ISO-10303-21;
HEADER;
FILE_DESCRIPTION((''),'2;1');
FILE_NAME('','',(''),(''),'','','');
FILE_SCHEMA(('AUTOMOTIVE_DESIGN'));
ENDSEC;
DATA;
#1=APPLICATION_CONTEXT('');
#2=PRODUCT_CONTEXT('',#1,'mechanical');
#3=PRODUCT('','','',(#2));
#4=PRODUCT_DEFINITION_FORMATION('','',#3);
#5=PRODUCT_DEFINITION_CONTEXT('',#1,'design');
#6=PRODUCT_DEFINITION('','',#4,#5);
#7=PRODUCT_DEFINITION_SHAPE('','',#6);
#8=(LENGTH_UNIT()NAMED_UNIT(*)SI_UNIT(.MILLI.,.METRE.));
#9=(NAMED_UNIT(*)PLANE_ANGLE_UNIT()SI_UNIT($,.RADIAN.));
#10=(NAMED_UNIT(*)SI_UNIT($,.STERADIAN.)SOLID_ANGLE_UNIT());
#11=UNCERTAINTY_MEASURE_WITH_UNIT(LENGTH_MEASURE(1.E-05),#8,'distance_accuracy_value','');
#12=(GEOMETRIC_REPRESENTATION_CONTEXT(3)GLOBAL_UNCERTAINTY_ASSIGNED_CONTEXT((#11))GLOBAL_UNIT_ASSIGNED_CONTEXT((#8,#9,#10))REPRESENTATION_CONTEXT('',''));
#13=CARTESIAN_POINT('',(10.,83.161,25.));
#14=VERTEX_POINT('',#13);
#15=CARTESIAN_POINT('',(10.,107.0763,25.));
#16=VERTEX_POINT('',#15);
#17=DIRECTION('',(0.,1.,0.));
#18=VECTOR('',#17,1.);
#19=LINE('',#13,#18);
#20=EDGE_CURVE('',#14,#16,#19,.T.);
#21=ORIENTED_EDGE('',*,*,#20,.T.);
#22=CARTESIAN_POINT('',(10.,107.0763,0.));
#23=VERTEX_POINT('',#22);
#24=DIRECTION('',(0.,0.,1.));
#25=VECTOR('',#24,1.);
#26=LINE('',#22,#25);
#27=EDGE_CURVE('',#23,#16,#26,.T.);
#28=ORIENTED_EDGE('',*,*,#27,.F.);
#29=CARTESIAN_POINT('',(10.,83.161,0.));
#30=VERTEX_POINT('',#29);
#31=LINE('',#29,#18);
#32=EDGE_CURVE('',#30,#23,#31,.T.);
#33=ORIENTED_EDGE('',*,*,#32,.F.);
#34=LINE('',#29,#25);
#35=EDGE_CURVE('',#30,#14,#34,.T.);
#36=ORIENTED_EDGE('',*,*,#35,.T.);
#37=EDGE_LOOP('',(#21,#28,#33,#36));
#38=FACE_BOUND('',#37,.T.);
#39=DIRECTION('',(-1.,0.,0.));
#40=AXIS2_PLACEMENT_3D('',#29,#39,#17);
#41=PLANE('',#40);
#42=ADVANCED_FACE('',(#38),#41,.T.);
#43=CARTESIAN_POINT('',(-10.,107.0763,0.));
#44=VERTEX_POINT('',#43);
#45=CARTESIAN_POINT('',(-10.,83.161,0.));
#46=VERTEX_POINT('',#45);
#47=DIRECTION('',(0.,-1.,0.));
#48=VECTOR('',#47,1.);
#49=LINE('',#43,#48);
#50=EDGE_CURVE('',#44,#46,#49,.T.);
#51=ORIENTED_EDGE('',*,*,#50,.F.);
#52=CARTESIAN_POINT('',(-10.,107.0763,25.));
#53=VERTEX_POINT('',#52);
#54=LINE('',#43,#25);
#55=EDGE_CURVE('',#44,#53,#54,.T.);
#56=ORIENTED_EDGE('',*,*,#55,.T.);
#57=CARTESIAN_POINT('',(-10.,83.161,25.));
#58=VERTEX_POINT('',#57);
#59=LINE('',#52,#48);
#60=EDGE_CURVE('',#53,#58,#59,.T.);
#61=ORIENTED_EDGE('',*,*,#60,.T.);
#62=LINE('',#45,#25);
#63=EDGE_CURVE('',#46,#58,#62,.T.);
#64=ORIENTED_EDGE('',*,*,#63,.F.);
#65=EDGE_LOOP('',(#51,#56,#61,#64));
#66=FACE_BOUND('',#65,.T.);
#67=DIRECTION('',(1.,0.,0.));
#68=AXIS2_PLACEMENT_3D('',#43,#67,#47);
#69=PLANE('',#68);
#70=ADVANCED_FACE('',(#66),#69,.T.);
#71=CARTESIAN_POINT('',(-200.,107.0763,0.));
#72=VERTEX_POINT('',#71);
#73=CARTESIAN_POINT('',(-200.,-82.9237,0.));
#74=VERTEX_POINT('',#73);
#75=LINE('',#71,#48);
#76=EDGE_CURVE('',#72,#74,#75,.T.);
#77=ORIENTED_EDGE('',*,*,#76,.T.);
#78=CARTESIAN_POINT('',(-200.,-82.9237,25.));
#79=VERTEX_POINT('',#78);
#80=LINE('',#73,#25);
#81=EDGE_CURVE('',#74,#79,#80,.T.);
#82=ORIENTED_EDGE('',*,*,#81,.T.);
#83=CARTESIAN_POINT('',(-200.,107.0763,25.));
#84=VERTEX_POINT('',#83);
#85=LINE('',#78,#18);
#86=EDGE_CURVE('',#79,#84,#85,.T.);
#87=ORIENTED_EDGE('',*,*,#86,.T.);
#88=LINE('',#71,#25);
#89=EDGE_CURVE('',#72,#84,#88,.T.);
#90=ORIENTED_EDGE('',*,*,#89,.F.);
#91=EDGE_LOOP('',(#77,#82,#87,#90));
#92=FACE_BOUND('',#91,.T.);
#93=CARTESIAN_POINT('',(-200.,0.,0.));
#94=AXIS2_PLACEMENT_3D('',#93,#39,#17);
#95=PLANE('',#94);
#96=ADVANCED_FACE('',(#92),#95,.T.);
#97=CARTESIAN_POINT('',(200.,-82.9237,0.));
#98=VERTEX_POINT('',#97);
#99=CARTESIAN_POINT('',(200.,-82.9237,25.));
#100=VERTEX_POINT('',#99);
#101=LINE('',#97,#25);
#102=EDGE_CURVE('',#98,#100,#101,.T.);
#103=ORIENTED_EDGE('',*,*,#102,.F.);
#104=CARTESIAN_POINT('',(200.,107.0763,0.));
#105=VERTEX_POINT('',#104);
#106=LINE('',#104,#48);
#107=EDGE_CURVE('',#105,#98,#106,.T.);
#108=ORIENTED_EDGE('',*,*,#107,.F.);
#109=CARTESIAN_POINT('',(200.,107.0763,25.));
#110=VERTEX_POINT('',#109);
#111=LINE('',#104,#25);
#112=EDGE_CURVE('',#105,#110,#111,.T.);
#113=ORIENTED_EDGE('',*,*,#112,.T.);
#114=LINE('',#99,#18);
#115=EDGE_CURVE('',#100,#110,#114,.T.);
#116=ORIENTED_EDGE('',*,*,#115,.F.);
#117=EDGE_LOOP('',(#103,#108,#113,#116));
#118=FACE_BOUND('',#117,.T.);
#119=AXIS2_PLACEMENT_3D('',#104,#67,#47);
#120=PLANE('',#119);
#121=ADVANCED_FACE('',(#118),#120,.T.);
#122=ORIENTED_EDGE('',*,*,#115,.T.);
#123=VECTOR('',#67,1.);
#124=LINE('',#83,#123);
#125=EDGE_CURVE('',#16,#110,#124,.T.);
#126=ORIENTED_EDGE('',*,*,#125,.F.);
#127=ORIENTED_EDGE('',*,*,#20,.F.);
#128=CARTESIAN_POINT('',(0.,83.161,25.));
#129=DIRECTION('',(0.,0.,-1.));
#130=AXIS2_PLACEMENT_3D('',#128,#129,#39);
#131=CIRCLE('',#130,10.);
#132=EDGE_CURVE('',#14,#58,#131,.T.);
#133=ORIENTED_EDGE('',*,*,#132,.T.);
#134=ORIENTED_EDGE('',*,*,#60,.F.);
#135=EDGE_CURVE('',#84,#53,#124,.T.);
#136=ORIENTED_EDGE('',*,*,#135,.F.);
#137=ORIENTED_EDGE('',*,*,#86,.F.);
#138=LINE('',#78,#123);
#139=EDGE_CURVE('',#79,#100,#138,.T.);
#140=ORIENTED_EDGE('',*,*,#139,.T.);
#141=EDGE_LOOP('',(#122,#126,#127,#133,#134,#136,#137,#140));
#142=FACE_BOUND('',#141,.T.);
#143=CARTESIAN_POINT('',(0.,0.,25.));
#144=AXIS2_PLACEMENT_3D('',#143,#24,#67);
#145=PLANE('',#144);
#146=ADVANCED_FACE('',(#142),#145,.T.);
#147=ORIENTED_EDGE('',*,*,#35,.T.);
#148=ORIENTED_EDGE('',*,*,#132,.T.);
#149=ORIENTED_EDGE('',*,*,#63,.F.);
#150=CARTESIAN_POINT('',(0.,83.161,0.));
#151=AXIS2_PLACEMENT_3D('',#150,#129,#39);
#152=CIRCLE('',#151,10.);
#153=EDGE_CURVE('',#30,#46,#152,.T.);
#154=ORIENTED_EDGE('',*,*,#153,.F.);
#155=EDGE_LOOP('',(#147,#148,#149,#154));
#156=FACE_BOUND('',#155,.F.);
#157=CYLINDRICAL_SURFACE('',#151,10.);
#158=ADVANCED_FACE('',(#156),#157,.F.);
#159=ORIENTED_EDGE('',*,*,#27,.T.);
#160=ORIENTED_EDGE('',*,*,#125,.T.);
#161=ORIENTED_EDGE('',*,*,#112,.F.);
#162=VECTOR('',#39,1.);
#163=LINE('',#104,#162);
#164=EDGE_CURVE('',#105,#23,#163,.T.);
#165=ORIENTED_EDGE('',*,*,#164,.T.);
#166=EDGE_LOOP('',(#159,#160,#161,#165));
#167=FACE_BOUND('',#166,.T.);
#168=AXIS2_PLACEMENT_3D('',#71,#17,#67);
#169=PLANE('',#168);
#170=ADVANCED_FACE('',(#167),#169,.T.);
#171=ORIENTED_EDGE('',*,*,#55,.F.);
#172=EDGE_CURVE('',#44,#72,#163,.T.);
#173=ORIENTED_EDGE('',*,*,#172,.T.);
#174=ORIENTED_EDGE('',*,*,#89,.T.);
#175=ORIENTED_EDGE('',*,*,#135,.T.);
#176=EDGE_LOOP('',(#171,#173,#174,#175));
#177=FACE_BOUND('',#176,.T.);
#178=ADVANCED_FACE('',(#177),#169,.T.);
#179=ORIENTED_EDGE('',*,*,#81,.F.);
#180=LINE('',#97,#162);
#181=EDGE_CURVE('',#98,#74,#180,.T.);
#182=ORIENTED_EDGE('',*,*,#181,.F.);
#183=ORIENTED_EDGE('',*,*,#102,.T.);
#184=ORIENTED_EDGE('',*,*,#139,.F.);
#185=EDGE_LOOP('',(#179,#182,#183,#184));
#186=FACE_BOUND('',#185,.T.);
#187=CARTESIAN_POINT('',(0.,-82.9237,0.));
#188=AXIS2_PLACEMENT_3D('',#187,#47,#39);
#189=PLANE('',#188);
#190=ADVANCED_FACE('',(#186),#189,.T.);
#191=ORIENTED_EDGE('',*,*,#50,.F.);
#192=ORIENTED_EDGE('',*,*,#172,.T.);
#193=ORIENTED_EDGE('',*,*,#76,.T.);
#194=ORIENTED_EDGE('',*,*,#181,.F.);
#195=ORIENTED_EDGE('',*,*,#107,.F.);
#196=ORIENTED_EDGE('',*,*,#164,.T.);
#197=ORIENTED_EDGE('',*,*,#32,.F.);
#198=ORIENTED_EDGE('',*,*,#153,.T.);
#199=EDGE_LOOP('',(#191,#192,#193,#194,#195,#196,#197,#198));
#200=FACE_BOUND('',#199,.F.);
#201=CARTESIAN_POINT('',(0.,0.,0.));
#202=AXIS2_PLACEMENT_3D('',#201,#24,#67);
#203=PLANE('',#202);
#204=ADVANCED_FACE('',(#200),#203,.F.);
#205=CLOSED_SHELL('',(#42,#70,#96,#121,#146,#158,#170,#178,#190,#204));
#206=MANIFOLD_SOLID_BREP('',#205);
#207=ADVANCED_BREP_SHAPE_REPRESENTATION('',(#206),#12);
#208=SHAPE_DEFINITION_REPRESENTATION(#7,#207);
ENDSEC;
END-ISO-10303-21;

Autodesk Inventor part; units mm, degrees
ref_plane "YZ Plane" through (0, 0, 0) normal (1, 0, 0) x (0, 1, 0)
ref_plane "XZ Plane" through (0, 0, 0) normal (0, 1, 0) x (-1, 0, 0)
ref_plane "XY Plane" through (0, 0, 0) normal (0, 0, 1) x (1, 0, 0)
sketch "Skizze1" plane through (0, 0, 0) normal (0, 0, 1) x (1, 0, 0)
  line L0 (-280, 0) -> (280, 0) projected
  line L1 (0, -126.7237) -> (0, 179.8763) projected
  line L2 (-200, 107.0763) -> (200, 107.0763)
  line L3 (200, 107.0763) -> (200, -82.9237)
  line L4 (200, -82.9237) -> (-200, -82.9237)
  line L5 (-200, -82.9237) -> (-200, 107.0763)
  point P0 (0, 0)
  dimension "d0" = 190
  dimension "d1" = 400
extrude "Extrusion1" add sketch "Skizze1" along normal blind 25
sketch "Skizze2" plane through (-200, 107.0763, 0) normal (0, 1, 0) x (1, 0, 0)
  line L0 (0, -25) -> (400, -25) projected
  point P0 (200, 0)
sketch "Skizze4" plane through (0, 0, 0) normal (0, 0, -1) x (-1, 0, 0)
  line L0 (-200, 107.0763) -> (200, 107.0763) projected
  line L1 (-10, 107.0763) -> (10, 107.0763)
  line L2 (10, 107.0763) -> (10, 83.161)
  line L3 (10, 83.161) -> (-10, 83.161)
  line L4 (-10, 83.161) -> (-10, 107.0763)
  circle A0 centre (0, 83.161) radius 10
  point P0 (0, 0)
  dimension "d12" = 20
  dimension "d13" = 10
extrude "Extrusion3" cut sketch "Skizze4" against normal blind 25
properties part number "Verkleidungsdeckel"
